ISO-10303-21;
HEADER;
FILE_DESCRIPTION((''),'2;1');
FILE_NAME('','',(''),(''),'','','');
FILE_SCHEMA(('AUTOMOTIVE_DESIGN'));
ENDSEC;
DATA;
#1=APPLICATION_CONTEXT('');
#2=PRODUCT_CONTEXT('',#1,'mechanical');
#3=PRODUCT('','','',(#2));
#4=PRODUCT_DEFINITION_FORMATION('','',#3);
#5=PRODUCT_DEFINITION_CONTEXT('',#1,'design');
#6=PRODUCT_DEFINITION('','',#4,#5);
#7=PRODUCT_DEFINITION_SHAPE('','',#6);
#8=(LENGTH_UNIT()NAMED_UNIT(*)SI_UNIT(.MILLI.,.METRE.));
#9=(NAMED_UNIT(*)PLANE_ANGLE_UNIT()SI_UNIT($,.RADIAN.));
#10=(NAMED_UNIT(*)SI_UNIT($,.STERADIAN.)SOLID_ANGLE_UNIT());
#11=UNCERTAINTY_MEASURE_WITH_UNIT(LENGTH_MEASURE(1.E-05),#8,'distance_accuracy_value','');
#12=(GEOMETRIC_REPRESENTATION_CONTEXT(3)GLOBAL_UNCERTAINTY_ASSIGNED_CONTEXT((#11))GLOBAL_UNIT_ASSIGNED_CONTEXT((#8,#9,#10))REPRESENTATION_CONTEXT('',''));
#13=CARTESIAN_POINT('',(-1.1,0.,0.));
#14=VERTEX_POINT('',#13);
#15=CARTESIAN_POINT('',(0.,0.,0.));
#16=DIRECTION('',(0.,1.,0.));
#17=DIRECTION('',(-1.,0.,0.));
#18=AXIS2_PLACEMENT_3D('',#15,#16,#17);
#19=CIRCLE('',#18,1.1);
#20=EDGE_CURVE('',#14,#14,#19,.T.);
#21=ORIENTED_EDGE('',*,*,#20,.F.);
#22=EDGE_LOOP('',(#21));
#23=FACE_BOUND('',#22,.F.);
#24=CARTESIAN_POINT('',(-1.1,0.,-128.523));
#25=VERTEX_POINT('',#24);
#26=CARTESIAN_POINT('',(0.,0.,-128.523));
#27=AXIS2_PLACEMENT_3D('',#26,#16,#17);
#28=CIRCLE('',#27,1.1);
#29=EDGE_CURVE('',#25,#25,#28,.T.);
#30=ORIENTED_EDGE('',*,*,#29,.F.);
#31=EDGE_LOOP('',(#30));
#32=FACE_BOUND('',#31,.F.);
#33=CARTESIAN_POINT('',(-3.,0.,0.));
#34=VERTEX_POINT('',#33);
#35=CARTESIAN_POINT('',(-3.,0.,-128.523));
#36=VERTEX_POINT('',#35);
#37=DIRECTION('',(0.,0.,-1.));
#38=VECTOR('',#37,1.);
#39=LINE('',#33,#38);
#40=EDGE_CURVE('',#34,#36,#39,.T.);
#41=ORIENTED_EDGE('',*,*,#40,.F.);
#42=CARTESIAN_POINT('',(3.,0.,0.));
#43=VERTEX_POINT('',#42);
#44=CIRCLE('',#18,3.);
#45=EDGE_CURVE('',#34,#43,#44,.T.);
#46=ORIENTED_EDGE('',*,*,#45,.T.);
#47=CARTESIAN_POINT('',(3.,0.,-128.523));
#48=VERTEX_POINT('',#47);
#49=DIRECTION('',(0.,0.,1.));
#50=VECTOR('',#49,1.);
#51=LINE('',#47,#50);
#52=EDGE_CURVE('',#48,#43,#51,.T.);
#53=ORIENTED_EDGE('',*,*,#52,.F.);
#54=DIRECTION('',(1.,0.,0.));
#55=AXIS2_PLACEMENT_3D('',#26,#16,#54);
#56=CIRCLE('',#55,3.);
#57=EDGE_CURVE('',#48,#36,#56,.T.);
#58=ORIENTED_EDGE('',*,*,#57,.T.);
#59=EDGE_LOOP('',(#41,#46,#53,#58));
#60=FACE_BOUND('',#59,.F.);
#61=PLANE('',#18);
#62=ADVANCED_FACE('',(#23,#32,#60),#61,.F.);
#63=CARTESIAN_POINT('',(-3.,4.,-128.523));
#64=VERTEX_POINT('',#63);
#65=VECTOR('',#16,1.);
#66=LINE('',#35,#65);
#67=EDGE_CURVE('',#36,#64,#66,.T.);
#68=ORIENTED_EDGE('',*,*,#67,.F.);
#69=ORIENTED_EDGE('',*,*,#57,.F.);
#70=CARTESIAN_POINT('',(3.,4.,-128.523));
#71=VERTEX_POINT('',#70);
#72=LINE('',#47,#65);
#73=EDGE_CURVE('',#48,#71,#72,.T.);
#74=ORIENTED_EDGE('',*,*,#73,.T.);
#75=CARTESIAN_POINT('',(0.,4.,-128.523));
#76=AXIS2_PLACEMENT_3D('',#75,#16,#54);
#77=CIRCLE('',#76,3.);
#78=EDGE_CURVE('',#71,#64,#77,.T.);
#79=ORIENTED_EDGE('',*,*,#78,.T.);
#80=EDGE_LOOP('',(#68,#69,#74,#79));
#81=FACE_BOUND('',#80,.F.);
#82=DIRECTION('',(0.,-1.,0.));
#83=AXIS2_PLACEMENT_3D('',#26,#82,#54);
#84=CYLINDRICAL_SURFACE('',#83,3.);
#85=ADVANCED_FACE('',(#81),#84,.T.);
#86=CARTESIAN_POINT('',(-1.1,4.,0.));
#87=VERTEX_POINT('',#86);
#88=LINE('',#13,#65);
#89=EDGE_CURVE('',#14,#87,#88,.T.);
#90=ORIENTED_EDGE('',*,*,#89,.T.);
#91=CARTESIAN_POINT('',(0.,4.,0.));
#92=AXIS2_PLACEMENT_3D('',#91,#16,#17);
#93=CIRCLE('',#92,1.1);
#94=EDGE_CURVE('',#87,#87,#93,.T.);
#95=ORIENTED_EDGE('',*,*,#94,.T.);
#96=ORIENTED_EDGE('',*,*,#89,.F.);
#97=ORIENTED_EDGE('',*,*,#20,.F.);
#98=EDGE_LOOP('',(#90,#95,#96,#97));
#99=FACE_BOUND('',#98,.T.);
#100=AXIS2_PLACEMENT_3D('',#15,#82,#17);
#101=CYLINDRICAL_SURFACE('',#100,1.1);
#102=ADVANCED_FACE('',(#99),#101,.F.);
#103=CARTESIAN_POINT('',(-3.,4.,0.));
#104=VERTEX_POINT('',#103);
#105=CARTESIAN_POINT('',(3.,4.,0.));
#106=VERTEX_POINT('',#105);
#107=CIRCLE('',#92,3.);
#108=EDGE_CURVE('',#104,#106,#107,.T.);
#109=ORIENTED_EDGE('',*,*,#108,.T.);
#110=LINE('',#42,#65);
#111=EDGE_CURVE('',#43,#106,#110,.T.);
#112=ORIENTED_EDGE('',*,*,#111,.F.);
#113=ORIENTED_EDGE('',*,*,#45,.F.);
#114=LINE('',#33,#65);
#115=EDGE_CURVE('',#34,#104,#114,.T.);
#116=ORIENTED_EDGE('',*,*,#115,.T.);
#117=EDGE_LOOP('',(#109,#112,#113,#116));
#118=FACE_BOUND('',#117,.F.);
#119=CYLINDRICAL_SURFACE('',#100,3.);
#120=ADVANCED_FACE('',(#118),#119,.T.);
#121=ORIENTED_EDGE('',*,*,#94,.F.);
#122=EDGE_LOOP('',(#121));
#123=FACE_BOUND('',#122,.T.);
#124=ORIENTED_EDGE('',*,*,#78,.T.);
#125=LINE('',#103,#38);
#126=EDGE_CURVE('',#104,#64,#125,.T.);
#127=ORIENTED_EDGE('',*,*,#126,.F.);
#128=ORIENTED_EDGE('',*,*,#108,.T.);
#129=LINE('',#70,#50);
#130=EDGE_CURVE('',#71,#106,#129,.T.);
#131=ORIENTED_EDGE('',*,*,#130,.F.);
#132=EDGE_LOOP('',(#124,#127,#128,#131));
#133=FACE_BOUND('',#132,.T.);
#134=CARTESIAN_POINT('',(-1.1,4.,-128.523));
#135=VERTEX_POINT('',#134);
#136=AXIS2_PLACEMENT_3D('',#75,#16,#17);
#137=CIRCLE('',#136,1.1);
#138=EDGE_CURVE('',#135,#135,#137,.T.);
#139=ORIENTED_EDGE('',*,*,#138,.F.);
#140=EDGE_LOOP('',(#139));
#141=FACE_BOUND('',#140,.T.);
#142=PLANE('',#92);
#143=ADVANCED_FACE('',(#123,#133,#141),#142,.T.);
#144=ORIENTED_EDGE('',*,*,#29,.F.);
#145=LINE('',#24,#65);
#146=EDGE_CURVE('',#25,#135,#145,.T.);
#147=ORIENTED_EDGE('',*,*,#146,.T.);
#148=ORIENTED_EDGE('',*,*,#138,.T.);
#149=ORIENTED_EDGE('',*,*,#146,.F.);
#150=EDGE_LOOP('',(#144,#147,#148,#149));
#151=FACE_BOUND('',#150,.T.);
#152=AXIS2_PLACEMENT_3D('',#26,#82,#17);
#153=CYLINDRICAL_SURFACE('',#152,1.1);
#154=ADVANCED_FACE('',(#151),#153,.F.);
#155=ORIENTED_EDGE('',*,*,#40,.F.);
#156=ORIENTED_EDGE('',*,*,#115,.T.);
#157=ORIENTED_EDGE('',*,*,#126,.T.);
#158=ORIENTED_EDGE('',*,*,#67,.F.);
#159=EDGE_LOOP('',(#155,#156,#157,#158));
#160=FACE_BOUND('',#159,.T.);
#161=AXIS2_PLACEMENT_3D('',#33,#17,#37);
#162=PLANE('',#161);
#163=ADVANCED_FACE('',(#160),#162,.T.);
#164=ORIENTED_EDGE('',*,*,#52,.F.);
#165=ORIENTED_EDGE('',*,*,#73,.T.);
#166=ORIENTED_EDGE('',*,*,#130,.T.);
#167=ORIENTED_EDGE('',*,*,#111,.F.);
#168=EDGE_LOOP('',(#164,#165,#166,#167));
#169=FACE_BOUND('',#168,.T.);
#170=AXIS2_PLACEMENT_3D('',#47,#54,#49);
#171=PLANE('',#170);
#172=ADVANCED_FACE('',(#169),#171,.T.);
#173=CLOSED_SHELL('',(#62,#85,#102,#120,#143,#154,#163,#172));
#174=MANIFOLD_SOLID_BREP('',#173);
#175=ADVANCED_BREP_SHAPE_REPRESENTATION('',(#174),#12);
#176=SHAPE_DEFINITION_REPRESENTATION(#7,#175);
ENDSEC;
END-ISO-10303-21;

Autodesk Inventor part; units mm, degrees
ref_plane "YZ Plane" through (0, 0, 0) normal (1, 0, 0) x (0, 1, 0)
ref_plane "XZ Plane" through (0, 0, 0) normal (0, 1, 0) x (-1, 0, 0)
ref_plane "XY Plane" through (0, 0, 0) normal (0, 0, 1) x (1, 0, 0)
sketch "Sketch1" plane through (0, 0, 0) normal (0, 1, 0) x (-1, 0, 0)
  line L0 (0, 0) -> (0, -128.523) construction
  line L1 (3, 0) -> (3, -128.523)
  line L2 (-3, -128.523) -> (-3, 0)
  arc A0 (3, 0) -> (-3, 0) centre (0, 0) ccw
  arc A1 (-3, -128.523) -> (3, -128.523) centre (0, -128.523) ccw
  circle A2 centre (0, 0) radius 1.1
  circle A3 centre (0, -128.523) radius 1.1
  point P0 (0, -64.2615)
  dimension "d0" = 2.2
  dimension "d1" = 2.2
  dimension "d2" = 6
  dimension "d3" = 128.523
extrude "Extrusion1" add sketch "Sketch1" along normal blind 4
